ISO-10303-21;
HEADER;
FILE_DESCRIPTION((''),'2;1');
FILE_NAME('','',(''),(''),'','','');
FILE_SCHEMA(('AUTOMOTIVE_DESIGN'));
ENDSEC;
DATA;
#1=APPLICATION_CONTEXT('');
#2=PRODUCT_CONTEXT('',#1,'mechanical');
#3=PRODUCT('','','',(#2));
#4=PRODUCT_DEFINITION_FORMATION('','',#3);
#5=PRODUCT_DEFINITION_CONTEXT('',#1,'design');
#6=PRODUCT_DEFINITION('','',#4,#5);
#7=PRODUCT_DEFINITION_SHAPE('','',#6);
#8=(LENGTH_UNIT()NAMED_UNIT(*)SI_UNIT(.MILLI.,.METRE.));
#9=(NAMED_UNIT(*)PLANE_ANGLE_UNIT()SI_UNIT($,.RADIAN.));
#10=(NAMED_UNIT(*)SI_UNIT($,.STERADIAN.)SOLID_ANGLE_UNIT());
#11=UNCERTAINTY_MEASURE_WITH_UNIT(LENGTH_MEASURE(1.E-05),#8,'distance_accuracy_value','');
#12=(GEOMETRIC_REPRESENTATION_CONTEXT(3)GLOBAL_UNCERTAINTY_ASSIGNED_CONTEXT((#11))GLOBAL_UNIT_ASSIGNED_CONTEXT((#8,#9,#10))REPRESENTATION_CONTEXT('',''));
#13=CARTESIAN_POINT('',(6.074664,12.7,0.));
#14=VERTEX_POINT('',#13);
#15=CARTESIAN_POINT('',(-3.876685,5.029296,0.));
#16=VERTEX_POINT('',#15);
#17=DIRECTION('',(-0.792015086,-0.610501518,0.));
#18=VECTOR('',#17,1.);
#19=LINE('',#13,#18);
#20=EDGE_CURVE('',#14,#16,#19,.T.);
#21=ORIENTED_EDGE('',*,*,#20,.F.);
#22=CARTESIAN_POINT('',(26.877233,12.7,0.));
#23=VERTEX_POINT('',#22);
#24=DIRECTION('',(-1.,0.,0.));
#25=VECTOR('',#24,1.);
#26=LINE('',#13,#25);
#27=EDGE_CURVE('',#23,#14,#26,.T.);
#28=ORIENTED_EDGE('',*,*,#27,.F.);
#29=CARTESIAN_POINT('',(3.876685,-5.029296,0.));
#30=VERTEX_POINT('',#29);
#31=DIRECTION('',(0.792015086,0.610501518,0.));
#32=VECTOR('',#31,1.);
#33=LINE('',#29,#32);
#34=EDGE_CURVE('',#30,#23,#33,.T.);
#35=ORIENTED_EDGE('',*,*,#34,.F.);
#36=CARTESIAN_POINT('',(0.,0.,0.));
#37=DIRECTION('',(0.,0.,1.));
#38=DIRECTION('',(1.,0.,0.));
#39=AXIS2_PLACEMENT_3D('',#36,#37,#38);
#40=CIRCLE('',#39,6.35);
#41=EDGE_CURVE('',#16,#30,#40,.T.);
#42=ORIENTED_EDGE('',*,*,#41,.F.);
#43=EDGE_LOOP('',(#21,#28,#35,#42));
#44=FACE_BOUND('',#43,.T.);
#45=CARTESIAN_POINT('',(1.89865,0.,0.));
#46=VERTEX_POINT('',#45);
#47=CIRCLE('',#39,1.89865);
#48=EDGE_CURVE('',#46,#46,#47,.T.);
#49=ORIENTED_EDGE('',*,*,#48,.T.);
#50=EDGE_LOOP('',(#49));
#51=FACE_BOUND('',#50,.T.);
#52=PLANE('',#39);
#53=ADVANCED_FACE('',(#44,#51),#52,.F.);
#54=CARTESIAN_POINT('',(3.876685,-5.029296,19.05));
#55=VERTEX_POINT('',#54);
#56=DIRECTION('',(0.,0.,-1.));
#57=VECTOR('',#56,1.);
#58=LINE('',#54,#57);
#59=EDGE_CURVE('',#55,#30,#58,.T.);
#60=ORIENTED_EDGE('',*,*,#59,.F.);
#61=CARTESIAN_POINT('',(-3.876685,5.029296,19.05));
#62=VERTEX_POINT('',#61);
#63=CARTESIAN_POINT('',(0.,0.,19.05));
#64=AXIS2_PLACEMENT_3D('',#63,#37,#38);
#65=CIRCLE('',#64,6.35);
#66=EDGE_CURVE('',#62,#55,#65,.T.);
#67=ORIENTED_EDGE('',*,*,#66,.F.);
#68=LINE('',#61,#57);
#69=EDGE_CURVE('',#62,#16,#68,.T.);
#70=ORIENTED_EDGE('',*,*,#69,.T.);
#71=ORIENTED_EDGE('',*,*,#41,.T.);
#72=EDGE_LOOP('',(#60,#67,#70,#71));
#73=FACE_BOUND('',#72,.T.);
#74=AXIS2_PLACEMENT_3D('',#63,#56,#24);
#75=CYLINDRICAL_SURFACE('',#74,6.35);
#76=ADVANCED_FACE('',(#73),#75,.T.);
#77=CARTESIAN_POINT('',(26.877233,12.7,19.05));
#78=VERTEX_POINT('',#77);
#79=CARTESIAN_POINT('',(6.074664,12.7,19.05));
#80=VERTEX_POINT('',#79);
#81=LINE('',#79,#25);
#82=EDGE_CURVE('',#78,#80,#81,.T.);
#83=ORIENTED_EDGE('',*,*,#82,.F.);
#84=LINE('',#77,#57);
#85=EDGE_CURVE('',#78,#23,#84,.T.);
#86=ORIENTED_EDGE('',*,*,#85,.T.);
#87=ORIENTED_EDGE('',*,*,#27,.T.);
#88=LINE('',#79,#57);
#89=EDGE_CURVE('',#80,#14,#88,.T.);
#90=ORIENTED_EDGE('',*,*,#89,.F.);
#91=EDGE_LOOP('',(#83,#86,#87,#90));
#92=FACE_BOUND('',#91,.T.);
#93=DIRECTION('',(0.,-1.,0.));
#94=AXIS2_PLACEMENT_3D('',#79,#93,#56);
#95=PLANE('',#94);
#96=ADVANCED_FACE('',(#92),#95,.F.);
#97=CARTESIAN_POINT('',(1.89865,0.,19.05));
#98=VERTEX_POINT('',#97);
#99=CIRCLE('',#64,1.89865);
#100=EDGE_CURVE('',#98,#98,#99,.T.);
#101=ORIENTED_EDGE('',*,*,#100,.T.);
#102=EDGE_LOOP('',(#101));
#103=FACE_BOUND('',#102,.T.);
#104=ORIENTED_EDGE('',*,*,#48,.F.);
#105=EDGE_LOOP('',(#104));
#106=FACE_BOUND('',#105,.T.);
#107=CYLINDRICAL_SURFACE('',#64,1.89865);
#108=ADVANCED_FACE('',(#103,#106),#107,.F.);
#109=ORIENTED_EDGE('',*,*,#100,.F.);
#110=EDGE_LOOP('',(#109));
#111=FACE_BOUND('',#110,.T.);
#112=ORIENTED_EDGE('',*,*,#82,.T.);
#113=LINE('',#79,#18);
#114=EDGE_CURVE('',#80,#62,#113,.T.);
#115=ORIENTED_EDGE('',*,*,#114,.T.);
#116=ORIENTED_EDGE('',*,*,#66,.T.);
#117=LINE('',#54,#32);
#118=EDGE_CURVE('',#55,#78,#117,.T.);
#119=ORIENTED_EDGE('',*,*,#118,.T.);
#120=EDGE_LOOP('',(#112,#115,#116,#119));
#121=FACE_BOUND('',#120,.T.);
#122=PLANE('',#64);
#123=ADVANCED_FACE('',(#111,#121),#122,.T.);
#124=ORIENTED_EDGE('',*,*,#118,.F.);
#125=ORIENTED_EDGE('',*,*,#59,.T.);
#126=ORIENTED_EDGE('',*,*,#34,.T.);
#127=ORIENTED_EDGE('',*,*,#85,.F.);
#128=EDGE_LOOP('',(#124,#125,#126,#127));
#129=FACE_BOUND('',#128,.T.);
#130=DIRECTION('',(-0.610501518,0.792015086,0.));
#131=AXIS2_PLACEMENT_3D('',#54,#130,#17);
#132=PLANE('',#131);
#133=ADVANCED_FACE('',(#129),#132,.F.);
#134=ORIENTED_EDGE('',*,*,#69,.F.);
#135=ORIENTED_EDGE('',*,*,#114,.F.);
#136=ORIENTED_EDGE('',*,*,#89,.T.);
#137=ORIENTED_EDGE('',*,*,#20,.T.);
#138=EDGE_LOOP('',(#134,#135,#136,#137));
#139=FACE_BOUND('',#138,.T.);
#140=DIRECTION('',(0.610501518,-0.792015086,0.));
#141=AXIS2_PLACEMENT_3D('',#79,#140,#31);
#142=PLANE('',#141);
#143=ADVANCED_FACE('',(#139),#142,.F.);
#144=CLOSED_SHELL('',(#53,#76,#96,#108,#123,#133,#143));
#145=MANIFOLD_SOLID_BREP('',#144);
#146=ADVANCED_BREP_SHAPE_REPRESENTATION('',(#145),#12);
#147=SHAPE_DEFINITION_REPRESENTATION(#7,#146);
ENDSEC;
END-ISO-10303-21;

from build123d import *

# Parameters (mm, degrees)
BOSS_EXTRUDE1_DEPTH   = 19.05
F_6_CLEARANCE_HOLE1_D = 3.7973


with BuildPart() as part:
    # Sketch1 → Boss-Extrude1 (new body)
    with BuildSketch(Plane.XY):
        with BuildLine():
            Line((6.074664, 12.7), (-3.876684639, 5.029295797))
            ThreePointArc((-3.876684639, 5.029295797), (-5.029295797, -3.876684639), (3.876684639, -5.029295797))
            Line((3.876684639, -5.029295797), (26.877233079, 12.7))
            Line((26.877233079, 12.7), (6.074664, 12.7))
        make_face()
    extrude(amount=BOSS_EXTRUDE1_DEPTH)

    # #6 Clearance Hole1 (through all)
    with Locations(Plane.XY.offset(19.05)):
        with Locations((0, 0)):
            Hole(F_6_CLEARANCE_HOLE1_D / 2)


solid = part.part
